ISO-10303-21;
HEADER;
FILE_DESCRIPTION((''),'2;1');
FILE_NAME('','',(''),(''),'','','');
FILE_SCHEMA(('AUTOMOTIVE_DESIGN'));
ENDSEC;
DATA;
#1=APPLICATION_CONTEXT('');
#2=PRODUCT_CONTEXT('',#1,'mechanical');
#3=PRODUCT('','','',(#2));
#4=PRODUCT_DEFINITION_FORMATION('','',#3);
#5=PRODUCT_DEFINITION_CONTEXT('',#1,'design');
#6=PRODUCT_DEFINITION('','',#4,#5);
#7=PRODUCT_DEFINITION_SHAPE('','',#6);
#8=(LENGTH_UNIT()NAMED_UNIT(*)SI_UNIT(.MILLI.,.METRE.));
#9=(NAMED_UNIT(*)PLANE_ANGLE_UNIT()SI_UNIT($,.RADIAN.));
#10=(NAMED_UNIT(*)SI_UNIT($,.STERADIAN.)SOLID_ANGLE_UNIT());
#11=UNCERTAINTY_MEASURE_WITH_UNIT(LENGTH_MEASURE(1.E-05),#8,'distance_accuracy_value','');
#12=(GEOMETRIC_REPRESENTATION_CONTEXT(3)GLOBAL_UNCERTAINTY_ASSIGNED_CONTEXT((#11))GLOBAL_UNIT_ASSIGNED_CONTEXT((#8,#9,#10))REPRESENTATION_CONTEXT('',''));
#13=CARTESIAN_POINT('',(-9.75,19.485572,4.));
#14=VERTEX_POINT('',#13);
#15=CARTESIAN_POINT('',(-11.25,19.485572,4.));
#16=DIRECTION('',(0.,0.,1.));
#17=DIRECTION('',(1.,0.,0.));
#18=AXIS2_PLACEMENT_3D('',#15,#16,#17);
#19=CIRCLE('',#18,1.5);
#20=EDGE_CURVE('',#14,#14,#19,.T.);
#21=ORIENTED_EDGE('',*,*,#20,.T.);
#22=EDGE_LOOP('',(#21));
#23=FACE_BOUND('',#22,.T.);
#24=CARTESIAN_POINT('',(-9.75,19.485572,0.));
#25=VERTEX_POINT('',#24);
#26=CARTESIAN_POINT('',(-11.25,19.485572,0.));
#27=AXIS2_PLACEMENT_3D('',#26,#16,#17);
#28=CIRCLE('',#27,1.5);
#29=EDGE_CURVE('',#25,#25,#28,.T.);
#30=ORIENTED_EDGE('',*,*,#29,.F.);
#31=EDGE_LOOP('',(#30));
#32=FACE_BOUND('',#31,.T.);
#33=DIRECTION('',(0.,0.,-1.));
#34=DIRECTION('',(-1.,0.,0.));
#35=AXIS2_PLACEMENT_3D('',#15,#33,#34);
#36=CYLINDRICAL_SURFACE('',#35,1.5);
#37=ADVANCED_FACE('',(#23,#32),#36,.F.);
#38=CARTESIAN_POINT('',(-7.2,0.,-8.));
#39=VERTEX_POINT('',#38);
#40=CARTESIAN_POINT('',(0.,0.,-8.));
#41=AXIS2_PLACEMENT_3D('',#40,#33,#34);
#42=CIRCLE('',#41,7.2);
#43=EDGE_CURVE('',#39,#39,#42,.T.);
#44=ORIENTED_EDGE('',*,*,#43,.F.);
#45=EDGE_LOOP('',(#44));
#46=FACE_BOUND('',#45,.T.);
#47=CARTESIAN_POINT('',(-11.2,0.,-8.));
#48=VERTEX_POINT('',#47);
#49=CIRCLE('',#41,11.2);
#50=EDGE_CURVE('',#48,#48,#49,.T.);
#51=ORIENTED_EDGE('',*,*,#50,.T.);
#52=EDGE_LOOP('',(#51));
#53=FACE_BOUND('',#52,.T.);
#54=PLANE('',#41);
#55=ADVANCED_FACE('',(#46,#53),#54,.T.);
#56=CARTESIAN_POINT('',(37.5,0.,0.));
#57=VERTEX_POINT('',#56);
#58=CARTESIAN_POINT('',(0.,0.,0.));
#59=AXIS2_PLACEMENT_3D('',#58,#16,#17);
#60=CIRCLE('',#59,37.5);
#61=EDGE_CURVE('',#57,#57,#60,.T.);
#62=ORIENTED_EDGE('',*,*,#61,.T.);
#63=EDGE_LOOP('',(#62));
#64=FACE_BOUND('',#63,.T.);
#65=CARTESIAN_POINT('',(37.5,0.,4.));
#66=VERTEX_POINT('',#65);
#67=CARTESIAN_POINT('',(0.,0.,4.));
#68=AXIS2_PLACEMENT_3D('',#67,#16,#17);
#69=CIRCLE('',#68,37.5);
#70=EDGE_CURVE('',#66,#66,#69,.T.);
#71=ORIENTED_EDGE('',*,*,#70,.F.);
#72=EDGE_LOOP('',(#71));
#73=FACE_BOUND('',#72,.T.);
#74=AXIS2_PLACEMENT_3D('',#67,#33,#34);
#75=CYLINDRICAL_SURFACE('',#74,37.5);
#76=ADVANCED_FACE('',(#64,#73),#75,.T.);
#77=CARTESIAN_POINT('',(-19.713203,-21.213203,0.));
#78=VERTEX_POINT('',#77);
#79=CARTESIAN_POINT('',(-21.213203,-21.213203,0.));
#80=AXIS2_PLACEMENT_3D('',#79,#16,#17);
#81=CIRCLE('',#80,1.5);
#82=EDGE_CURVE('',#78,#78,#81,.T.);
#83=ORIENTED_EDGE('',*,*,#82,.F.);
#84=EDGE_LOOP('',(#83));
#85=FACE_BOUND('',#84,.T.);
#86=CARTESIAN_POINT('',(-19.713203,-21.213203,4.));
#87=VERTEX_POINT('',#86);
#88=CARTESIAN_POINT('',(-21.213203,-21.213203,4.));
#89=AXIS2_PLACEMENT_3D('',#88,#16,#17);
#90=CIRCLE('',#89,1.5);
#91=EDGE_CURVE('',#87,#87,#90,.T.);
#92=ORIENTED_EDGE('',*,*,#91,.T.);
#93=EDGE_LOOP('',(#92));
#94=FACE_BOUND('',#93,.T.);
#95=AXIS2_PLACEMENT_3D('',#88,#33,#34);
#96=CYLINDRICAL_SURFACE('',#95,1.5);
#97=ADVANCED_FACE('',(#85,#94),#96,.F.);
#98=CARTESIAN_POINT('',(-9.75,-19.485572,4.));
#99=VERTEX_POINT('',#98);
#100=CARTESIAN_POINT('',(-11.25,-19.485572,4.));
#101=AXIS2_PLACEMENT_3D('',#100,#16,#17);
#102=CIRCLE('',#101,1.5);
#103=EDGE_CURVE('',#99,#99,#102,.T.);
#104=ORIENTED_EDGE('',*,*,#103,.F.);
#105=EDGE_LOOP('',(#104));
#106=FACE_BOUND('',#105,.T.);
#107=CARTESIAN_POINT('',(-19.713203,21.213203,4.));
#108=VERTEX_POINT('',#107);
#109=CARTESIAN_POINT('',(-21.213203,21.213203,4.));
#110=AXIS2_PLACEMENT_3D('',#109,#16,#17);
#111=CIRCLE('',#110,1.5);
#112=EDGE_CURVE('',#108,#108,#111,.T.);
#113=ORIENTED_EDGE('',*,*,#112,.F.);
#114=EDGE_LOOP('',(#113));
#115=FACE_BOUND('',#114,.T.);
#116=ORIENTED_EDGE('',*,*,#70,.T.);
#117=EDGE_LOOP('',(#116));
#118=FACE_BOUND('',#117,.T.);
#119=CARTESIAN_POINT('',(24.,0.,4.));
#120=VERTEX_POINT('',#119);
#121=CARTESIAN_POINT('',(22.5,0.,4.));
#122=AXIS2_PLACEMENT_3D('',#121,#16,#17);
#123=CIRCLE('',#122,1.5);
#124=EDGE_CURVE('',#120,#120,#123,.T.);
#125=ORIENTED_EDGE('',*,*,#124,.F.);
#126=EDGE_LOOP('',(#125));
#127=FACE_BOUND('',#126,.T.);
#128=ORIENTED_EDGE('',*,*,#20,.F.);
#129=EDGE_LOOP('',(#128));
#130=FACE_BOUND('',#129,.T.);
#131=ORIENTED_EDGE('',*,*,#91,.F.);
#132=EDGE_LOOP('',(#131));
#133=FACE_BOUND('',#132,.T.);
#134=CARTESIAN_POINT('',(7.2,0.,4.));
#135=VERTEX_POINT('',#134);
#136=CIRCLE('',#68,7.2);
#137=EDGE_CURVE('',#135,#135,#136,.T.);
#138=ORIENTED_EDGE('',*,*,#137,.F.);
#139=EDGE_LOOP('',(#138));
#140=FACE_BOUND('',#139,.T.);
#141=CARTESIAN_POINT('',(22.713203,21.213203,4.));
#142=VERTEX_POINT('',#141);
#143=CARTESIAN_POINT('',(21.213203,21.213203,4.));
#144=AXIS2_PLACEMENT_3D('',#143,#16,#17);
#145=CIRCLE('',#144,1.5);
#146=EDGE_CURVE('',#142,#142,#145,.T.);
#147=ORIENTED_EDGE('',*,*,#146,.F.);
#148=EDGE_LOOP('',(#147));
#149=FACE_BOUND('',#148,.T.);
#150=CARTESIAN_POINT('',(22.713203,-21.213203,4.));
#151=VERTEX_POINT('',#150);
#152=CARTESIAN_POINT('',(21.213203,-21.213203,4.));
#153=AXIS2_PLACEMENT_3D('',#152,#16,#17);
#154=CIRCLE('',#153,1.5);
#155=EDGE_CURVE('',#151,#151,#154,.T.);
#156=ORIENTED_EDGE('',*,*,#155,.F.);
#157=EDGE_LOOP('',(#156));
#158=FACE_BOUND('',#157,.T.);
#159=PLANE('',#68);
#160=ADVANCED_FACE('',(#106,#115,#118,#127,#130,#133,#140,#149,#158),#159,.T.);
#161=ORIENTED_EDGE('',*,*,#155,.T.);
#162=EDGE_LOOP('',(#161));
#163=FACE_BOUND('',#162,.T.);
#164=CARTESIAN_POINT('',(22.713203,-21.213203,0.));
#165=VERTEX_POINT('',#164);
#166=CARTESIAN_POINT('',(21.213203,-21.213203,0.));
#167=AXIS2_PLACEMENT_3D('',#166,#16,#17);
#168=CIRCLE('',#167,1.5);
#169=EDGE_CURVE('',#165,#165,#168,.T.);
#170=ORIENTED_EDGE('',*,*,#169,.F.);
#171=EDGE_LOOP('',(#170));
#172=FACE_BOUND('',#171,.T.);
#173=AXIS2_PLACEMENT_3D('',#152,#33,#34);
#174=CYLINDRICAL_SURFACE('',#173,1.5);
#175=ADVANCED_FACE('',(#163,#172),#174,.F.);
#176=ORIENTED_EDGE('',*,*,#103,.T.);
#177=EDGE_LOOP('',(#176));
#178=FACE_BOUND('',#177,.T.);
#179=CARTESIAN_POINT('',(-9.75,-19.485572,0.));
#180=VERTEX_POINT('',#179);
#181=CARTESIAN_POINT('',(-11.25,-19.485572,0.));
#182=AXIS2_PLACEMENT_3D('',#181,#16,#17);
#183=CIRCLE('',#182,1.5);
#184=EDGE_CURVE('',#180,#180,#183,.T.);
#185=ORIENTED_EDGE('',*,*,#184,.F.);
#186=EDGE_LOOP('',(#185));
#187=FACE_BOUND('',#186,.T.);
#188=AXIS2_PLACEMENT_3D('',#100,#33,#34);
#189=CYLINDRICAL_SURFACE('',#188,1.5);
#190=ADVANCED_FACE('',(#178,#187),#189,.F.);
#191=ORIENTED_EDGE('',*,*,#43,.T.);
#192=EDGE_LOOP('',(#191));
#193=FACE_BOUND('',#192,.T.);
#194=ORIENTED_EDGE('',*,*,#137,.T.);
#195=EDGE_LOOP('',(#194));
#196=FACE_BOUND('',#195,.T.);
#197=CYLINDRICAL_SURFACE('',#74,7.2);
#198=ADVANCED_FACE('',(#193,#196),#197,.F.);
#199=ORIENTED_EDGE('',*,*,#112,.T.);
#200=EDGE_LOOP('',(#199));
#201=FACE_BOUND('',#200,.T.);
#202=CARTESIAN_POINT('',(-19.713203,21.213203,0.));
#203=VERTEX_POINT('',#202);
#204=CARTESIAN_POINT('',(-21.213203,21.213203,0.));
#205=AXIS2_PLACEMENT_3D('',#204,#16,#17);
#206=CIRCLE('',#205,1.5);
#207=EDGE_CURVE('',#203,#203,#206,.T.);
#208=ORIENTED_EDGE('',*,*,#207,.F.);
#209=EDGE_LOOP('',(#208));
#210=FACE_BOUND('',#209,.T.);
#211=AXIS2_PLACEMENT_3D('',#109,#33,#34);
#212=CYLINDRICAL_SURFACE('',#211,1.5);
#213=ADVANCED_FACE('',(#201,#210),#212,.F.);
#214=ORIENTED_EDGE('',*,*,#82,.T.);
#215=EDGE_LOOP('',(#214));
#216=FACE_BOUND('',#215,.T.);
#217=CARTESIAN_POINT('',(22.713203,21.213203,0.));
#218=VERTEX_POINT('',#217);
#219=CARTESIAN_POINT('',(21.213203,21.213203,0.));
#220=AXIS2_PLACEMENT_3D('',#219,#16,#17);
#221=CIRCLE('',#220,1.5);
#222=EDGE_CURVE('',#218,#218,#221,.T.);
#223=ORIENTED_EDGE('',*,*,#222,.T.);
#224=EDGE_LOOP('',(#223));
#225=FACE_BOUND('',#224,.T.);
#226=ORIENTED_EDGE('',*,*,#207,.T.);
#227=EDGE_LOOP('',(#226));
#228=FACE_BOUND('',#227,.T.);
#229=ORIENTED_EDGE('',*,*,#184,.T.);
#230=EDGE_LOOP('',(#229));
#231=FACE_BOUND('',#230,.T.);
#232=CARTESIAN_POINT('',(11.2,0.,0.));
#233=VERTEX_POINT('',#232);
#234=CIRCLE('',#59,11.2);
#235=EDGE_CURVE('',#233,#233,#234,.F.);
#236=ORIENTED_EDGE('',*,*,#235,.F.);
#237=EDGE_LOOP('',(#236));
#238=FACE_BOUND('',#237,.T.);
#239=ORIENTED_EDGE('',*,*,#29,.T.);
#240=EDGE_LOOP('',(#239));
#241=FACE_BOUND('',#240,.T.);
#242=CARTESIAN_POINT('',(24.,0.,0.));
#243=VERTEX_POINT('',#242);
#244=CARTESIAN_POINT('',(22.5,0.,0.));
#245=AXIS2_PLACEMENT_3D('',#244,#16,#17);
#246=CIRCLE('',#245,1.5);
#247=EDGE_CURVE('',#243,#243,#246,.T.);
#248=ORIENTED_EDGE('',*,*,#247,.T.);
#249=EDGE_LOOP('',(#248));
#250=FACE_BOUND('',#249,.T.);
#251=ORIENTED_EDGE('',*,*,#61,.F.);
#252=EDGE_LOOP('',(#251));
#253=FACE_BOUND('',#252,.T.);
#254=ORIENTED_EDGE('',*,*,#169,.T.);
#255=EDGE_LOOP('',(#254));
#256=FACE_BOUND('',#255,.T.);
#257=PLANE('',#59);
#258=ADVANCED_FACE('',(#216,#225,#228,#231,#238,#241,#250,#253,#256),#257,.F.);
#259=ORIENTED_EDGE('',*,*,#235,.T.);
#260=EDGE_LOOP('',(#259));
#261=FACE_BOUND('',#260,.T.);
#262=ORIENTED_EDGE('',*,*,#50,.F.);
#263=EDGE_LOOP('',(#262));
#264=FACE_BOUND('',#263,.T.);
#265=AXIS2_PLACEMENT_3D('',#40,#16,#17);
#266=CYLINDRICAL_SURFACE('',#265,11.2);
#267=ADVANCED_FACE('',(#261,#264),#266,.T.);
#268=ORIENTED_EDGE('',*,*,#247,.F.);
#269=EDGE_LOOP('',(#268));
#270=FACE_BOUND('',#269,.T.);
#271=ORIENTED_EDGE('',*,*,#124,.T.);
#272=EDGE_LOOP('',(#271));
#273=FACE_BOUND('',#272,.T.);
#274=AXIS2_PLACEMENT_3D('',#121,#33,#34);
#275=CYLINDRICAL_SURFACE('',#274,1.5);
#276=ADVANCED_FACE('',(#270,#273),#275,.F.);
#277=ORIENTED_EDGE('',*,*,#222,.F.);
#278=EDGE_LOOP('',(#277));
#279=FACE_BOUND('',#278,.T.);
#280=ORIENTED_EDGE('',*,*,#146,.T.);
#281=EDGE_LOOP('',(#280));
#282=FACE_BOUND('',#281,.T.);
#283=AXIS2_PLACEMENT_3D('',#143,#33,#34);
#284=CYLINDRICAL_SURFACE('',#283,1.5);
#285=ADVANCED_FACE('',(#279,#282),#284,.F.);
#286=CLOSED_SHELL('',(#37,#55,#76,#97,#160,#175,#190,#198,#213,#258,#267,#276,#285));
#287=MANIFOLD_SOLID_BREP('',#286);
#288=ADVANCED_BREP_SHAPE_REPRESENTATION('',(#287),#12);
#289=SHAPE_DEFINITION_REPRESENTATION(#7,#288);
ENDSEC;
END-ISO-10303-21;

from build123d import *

# Parameters (mm, degrees)
SKETCH1_R           = 37.5
SKETCH1_R_2         = 7.2
SKETCH1_R_3         = 1.5
BOSS_EXTRUDE1_DEPTH = 4
SKETCH2_R           = 11.2
SKETCH2_R_2         = 7.2
BOSS_EXTRUDE2_DEPTH = 8


with BuildPart() as part:
    # Sketch1 → Boss-Extrude1 (new body)
    with BuildSketch(Plane.XY):
        Circle(SKETCH1_R)
        Circle(SKETCH1_R_2, mode=Mode.SUBTRACT)
        with Locations((22.5, 0)):
            Circle(SKETCH1_R_3, mode=Mode.SUBTRACT)
        with Locations((-11.25, -19.485571585)):
            Circle(SKETCH1_R_3, mode=Mode.SUBTRACT)
        with Locations((-11.25, 19.485571585)):
            Circle(SKETCH1_R_3, mode=Mode.SUBTRACT)
        with Locations((21.213203436, 21.213203436)):
            Circle(SKETCH1_R_3, mode=Mode.SUBTRACT)
        with Locations((21.213203436, -21.213203436)):
            Circle(SKETCH1_R_3, mode=Mode.SUBTRACT)
        with Locations((-21.213203436, -21.213203436)):
            Circle(SKETCH1_R_3, mode=Mode.SUBTRACT)
        with Locations((-21.213203436, 21.213203436)):
            Circle(SKETCH1_R_3, mode=Mode.SUBTRACT)
    extrude(amount=BOSS_EXTRUDE1_DEPTH)

    # Sketch2 → Boss-Extrude2 (add)
    with BuildSketch(Plane(origin=(0, 0, 0), x_dir=(-1, 0, 0), z_dir=(0, 0, -1))):
        Circle(SKETCH2_R)
        Circle(SKETCH2_R_2, mode=Mode.SUBTRACT)
    extrude(amount=BOSS_EXTRUDE2_DEPTH)


solid = part.part
